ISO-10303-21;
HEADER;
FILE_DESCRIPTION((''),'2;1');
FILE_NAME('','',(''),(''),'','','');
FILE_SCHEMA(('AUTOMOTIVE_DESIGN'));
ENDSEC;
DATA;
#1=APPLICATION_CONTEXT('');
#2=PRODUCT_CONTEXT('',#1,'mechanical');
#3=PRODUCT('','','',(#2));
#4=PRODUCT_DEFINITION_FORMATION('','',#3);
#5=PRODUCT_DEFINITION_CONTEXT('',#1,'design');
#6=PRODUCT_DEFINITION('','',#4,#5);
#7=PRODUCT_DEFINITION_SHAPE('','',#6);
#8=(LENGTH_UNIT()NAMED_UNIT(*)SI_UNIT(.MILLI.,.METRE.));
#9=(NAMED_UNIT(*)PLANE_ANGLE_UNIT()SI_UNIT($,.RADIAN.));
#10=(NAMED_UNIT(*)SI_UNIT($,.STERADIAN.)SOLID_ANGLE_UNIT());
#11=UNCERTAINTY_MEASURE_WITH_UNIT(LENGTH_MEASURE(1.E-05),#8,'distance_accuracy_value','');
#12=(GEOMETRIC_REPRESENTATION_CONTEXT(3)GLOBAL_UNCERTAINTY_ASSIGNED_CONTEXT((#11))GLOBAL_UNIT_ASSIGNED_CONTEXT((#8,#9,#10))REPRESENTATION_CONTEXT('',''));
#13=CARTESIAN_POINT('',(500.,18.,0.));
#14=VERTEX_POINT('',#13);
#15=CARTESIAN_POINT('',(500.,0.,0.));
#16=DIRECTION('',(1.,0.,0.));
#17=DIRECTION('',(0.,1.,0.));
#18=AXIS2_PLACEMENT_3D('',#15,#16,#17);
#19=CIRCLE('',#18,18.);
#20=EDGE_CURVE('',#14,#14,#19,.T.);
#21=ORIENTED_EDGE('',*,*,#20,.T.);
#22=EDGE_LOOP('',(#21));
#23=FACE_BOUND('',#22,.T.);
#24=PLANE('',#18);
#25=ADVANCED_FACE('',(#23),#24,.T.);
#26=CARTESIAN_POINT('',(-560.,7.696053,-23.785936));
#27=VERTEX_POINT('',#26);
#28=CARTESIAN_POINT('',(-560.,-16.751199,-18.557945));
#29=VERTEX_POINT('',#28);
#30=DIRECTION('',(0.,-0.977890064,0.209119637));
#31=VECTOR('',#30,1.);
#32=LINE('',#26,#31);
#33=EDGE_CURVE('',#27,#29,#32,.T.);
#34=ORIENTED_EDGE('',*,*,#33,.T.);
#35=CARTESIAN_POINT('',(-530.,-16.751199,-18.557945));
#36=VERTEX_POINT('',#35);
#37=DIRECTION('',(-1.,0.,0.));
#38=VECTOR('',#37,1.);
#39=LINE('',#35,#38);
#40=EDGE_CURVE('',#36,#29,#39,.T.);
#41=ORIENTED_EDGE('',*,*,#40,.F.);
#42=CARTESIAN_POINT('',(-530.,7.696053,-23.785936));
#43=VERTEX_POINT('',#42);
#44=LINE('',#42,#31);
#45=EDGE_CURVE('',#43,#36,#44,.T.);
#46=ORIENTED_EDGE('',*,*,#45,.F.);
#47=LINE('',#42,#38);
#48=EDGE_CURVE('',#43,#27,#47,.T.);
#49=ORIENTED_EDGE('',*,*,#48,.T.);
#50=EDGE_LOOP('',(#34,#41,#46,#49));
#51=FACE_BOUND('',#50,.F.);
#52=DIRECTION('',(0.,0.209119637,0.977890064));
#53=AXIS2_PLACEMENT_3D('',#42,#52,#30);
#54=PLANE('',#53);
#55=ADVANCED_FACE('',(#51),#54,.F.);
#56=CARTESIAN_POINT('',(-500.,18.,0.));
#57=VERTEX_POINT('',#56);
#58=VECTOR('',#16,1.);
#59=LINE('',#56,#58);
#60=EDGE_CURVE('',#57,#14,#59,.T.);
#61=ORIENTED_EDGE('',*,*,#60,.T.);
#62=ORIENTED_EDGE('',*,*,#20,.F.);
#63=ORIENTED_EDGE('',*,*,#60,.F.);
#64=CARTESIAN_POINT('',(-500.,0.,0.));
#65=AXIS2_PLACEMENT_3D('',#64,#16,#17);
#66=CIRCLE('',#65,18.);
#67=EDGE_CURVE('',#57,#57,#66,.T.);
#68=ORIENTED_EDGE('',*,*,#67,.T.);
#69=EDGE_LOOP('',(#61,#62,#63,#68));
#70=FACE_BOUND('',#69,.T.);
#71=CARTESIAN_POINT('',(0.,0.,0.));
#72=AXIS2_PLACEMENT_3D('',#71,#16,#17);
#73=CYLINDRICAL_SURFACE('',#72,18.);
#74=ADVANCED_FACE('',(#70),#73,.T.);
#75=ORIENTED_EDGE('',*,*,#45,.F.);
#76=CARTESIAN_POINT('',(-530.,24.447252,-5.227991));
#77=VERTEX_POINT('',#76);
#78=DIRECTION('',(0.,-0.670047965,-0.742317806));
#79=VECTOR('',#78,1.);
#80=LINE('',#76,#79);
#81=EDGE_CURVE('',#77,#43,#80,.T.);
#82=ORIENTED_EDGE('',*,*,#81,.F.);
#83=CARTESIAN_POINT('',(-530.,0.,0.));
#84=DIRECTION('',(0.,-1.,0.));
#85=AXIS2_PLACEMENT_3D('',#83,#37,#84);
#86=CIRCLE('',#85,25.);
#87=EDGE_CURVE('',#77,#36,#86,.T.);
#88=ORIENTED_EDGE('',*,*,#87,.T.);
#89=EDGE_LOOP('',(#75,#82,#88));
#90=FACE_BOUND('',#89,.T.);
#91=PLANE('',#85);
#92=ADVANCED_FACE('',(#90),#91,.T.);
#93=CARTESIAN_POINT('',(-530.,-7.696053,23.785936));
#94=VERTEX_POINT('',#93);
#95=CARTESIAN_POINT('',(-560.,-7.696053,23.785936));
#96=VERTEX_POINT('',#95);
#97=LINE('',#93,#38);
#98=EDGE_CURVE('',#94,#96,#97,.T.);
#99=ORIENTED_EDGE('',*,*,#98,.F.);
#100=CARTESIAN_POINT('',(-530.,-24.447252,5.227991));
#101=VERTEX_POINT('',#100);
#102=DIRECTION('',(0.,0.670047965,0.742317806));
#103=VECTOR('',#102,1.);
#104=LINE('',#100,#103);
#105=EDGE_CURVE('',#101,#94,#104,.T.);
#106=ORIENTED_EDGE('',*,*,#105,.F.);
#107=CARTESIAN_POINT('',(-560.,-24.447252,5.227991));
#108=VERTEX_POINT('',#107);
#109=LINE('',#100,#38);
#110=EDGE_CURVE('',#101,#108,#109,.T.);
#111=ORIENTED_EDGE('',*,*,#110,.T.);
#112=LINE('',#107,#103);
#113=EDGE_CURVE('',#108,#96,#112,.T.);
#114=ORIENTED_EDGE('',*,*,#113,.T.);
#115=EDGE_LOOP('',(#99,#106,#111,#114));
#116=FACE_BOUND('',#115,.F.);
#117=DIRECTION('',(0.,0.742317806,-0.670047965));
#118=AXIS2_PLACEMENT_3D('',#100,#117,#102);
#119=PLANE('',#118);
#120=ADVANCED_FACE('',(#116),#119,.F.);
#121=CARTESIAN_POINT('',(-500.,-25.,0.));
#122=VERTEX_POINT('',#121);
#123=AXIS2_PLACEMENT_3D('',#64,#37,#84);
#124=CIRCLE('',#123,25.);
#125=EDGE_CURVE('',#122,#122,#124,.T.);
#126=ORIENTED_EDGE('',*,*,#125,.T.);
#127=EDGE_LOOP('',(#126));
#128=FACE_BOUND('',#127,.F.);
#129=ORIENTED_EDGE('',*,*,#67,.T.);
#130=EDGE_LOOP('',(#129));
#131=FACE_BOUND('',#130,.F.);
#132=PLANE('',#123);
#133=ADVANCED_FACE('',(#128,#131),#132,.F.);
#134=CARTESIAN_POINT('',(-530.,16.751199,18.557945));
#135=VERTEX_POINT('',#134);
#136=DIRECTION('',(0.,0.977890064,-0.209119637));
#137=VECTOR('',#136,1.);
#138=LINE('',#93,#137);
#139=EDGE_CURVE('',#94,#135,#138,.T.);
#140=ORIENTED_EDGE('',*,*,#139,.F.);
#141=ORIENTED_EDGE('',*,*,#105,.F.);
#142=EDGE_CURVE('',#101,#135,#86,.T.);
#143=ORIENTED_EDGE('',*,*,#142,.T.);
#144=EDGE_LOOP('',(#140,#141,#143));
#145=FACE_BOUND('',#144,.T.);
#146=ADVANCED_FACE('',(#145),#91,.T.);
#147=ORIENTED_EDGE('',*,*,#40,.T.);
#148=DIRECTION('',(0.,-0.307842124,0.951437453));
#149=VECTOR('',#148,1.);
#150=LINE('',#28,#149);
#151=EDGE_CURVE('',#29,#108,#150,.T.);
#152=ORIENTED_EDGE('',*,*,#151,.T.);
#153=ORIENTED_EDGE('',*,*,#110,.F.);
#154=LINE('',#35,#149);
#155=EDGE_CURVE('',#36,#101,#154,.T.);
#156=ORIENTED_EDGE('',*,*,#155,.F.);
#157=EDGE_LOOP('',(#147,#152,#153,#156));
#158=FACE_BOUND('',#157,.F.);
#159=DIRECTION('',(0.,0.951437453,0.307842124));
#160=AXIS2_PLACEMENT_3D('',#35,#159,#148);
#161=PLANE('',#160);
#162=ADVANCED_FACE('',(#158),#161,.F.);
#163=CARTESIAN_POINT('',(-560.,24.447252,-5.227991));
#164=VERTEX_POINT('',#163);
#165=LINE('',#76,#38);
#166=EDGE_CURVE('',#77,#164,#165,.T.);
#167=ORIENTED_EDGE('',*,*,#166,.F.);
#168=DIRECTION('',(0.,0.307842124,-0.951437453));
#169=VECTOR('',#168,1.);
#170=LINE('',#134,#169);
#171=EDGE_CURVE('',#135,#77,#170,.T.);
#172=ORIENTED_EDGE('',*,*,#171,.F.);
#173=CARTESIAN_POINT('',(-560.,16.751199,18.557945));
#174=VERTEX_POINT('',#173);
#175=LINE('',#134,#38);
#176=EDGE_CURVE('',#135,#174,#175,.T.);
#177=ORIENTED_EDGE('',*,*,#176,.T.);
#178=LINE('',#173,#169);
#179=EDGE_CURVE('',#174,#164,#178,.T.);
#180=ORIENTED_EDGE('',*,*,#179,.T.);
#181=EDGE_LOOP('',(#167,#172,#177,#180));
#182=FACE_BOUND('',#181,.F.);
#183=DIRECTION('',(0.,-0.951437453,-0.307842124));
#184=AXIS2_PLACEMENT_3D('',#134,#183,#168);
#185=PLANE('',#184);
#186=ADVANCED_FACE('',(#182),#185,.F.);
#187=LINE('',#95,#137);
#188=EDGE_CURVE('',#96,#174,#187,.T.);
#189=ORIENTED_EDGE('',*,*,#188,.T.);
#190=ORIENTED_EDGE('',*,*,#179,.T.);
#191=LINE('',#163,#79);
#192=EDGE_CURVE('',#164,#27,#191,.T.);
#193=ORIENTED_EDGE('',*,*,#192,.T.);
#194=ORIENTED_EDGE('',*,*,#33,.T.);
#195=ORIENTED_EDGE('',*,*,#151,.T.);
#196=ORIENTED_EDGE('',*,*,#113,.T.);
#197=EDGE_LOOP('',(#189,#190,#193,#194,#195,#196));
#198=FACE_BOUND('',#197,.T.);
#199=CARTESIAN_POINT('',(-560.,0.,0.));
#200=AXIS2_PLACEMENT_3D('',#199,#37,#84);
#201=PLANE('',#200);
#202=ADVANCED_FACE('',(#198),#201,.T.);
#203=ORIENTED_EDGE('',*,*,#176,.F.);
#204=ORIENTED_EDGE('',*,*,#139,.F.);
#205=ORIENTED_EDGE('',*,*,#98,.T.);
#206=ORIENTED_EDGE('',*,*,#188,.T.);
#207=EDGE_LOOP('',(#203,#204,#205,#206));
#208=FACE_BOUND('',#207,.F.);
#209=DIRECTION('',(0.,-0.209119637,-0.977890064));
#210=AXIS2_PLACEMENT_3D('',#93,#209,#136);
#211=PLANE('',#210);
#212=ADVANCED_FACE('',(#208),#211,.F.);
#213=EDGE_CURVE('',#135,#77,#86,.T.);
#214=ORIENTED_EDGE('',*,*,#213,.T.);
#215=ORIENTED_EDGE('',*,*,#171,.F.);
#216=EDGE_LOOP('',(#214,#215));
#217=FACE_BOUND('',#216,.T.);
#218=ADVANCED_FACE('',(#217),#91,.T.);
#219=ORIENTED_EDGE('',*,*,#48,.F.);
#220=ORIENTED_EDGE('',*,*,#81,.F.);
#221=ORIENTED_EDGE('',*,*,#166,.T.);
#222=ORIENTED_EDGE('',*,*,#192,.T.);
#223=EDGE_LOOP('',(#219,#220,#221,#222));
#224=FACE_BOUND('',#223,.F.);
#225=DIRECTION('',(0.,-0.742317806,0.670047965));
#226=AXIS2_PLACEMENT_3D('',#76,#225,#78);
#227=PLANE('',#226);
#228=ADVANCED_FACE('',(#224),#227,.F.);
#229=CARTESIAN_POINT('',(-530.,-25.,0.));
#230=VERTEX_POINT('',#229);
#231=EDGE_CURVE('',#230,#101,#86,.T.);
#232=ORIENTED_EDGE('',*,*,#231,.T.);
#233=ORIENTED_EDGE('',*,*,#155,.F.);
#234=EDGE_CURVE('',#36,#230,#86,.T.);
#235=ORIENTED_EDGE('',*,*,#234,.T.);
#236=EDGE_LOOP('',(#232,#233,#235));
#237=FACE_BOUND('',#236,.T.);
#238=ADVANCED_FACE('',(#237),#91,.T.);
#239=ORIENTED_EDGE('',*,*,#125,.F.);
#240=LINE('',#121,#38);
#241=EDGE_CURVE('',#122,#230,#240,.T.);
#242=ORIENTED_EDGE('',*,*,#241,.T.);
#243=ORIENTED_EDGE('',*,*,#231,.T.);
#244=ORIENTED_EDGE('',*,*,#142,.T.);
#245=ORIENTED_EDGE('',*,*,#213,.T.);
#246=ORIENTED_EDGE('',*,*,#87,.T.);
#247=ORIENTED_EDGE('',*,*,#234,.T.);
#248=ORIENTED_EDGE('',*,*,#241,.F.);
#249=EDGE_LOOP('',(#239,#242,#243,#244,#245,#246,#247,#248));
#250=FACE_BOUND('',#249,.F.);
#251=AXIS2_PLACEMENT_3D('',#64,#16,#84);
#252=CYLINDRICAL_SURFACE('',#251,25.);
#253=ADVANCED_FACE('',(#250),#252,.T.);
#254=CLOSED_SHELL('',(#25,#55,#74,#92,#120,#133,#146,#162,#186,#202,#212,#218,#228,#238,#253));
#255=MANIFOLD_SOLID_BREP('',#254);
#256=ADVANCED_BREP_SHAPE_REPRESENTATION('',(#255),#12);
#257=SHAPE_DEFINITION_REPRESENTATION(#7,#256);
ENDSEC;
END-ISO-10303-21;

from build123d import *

# Parameters (mm, degrees)
F0_R     = 18
F1_DEPTH = 500
F2_R     = 25
F3_DEPTH = 30
F5_DEPTH = 30


with BuildPart() as f1:
    # F0 (on Right) → F1 (new body, symmetric)
    with BuildSketch(Plane.YZ):
        Circle(F0_R)
    extrude(amount=F1_DEPTH, both=True)

    # F2 (on face) → F3 (join)
    with BuildSketch(Plane(origin=(-500, 0, 0), x_dir=(0, -1, 0), z_dir=(-1, 0, 0))):
        Circle(F2_R)
    extrude(amount=F3_DEPTH)

    # F4 (on face) → F5 (join)
    with BuildSketch(Plane(origin=(-530, 0, 0), x_dir=(0, -1, 0), z_dir=(-1, 0, 0))):
        Polygon((-7.696053, -23.785936), (16.751199, -18.557945), (24.447252, 5.227991), (7.696053, 23.785936), (-16.751199, 18.557945), (-24.447252, -5.227991), align=None)
    extrude(amount=F5_DEPTH)


solid = f1.part
